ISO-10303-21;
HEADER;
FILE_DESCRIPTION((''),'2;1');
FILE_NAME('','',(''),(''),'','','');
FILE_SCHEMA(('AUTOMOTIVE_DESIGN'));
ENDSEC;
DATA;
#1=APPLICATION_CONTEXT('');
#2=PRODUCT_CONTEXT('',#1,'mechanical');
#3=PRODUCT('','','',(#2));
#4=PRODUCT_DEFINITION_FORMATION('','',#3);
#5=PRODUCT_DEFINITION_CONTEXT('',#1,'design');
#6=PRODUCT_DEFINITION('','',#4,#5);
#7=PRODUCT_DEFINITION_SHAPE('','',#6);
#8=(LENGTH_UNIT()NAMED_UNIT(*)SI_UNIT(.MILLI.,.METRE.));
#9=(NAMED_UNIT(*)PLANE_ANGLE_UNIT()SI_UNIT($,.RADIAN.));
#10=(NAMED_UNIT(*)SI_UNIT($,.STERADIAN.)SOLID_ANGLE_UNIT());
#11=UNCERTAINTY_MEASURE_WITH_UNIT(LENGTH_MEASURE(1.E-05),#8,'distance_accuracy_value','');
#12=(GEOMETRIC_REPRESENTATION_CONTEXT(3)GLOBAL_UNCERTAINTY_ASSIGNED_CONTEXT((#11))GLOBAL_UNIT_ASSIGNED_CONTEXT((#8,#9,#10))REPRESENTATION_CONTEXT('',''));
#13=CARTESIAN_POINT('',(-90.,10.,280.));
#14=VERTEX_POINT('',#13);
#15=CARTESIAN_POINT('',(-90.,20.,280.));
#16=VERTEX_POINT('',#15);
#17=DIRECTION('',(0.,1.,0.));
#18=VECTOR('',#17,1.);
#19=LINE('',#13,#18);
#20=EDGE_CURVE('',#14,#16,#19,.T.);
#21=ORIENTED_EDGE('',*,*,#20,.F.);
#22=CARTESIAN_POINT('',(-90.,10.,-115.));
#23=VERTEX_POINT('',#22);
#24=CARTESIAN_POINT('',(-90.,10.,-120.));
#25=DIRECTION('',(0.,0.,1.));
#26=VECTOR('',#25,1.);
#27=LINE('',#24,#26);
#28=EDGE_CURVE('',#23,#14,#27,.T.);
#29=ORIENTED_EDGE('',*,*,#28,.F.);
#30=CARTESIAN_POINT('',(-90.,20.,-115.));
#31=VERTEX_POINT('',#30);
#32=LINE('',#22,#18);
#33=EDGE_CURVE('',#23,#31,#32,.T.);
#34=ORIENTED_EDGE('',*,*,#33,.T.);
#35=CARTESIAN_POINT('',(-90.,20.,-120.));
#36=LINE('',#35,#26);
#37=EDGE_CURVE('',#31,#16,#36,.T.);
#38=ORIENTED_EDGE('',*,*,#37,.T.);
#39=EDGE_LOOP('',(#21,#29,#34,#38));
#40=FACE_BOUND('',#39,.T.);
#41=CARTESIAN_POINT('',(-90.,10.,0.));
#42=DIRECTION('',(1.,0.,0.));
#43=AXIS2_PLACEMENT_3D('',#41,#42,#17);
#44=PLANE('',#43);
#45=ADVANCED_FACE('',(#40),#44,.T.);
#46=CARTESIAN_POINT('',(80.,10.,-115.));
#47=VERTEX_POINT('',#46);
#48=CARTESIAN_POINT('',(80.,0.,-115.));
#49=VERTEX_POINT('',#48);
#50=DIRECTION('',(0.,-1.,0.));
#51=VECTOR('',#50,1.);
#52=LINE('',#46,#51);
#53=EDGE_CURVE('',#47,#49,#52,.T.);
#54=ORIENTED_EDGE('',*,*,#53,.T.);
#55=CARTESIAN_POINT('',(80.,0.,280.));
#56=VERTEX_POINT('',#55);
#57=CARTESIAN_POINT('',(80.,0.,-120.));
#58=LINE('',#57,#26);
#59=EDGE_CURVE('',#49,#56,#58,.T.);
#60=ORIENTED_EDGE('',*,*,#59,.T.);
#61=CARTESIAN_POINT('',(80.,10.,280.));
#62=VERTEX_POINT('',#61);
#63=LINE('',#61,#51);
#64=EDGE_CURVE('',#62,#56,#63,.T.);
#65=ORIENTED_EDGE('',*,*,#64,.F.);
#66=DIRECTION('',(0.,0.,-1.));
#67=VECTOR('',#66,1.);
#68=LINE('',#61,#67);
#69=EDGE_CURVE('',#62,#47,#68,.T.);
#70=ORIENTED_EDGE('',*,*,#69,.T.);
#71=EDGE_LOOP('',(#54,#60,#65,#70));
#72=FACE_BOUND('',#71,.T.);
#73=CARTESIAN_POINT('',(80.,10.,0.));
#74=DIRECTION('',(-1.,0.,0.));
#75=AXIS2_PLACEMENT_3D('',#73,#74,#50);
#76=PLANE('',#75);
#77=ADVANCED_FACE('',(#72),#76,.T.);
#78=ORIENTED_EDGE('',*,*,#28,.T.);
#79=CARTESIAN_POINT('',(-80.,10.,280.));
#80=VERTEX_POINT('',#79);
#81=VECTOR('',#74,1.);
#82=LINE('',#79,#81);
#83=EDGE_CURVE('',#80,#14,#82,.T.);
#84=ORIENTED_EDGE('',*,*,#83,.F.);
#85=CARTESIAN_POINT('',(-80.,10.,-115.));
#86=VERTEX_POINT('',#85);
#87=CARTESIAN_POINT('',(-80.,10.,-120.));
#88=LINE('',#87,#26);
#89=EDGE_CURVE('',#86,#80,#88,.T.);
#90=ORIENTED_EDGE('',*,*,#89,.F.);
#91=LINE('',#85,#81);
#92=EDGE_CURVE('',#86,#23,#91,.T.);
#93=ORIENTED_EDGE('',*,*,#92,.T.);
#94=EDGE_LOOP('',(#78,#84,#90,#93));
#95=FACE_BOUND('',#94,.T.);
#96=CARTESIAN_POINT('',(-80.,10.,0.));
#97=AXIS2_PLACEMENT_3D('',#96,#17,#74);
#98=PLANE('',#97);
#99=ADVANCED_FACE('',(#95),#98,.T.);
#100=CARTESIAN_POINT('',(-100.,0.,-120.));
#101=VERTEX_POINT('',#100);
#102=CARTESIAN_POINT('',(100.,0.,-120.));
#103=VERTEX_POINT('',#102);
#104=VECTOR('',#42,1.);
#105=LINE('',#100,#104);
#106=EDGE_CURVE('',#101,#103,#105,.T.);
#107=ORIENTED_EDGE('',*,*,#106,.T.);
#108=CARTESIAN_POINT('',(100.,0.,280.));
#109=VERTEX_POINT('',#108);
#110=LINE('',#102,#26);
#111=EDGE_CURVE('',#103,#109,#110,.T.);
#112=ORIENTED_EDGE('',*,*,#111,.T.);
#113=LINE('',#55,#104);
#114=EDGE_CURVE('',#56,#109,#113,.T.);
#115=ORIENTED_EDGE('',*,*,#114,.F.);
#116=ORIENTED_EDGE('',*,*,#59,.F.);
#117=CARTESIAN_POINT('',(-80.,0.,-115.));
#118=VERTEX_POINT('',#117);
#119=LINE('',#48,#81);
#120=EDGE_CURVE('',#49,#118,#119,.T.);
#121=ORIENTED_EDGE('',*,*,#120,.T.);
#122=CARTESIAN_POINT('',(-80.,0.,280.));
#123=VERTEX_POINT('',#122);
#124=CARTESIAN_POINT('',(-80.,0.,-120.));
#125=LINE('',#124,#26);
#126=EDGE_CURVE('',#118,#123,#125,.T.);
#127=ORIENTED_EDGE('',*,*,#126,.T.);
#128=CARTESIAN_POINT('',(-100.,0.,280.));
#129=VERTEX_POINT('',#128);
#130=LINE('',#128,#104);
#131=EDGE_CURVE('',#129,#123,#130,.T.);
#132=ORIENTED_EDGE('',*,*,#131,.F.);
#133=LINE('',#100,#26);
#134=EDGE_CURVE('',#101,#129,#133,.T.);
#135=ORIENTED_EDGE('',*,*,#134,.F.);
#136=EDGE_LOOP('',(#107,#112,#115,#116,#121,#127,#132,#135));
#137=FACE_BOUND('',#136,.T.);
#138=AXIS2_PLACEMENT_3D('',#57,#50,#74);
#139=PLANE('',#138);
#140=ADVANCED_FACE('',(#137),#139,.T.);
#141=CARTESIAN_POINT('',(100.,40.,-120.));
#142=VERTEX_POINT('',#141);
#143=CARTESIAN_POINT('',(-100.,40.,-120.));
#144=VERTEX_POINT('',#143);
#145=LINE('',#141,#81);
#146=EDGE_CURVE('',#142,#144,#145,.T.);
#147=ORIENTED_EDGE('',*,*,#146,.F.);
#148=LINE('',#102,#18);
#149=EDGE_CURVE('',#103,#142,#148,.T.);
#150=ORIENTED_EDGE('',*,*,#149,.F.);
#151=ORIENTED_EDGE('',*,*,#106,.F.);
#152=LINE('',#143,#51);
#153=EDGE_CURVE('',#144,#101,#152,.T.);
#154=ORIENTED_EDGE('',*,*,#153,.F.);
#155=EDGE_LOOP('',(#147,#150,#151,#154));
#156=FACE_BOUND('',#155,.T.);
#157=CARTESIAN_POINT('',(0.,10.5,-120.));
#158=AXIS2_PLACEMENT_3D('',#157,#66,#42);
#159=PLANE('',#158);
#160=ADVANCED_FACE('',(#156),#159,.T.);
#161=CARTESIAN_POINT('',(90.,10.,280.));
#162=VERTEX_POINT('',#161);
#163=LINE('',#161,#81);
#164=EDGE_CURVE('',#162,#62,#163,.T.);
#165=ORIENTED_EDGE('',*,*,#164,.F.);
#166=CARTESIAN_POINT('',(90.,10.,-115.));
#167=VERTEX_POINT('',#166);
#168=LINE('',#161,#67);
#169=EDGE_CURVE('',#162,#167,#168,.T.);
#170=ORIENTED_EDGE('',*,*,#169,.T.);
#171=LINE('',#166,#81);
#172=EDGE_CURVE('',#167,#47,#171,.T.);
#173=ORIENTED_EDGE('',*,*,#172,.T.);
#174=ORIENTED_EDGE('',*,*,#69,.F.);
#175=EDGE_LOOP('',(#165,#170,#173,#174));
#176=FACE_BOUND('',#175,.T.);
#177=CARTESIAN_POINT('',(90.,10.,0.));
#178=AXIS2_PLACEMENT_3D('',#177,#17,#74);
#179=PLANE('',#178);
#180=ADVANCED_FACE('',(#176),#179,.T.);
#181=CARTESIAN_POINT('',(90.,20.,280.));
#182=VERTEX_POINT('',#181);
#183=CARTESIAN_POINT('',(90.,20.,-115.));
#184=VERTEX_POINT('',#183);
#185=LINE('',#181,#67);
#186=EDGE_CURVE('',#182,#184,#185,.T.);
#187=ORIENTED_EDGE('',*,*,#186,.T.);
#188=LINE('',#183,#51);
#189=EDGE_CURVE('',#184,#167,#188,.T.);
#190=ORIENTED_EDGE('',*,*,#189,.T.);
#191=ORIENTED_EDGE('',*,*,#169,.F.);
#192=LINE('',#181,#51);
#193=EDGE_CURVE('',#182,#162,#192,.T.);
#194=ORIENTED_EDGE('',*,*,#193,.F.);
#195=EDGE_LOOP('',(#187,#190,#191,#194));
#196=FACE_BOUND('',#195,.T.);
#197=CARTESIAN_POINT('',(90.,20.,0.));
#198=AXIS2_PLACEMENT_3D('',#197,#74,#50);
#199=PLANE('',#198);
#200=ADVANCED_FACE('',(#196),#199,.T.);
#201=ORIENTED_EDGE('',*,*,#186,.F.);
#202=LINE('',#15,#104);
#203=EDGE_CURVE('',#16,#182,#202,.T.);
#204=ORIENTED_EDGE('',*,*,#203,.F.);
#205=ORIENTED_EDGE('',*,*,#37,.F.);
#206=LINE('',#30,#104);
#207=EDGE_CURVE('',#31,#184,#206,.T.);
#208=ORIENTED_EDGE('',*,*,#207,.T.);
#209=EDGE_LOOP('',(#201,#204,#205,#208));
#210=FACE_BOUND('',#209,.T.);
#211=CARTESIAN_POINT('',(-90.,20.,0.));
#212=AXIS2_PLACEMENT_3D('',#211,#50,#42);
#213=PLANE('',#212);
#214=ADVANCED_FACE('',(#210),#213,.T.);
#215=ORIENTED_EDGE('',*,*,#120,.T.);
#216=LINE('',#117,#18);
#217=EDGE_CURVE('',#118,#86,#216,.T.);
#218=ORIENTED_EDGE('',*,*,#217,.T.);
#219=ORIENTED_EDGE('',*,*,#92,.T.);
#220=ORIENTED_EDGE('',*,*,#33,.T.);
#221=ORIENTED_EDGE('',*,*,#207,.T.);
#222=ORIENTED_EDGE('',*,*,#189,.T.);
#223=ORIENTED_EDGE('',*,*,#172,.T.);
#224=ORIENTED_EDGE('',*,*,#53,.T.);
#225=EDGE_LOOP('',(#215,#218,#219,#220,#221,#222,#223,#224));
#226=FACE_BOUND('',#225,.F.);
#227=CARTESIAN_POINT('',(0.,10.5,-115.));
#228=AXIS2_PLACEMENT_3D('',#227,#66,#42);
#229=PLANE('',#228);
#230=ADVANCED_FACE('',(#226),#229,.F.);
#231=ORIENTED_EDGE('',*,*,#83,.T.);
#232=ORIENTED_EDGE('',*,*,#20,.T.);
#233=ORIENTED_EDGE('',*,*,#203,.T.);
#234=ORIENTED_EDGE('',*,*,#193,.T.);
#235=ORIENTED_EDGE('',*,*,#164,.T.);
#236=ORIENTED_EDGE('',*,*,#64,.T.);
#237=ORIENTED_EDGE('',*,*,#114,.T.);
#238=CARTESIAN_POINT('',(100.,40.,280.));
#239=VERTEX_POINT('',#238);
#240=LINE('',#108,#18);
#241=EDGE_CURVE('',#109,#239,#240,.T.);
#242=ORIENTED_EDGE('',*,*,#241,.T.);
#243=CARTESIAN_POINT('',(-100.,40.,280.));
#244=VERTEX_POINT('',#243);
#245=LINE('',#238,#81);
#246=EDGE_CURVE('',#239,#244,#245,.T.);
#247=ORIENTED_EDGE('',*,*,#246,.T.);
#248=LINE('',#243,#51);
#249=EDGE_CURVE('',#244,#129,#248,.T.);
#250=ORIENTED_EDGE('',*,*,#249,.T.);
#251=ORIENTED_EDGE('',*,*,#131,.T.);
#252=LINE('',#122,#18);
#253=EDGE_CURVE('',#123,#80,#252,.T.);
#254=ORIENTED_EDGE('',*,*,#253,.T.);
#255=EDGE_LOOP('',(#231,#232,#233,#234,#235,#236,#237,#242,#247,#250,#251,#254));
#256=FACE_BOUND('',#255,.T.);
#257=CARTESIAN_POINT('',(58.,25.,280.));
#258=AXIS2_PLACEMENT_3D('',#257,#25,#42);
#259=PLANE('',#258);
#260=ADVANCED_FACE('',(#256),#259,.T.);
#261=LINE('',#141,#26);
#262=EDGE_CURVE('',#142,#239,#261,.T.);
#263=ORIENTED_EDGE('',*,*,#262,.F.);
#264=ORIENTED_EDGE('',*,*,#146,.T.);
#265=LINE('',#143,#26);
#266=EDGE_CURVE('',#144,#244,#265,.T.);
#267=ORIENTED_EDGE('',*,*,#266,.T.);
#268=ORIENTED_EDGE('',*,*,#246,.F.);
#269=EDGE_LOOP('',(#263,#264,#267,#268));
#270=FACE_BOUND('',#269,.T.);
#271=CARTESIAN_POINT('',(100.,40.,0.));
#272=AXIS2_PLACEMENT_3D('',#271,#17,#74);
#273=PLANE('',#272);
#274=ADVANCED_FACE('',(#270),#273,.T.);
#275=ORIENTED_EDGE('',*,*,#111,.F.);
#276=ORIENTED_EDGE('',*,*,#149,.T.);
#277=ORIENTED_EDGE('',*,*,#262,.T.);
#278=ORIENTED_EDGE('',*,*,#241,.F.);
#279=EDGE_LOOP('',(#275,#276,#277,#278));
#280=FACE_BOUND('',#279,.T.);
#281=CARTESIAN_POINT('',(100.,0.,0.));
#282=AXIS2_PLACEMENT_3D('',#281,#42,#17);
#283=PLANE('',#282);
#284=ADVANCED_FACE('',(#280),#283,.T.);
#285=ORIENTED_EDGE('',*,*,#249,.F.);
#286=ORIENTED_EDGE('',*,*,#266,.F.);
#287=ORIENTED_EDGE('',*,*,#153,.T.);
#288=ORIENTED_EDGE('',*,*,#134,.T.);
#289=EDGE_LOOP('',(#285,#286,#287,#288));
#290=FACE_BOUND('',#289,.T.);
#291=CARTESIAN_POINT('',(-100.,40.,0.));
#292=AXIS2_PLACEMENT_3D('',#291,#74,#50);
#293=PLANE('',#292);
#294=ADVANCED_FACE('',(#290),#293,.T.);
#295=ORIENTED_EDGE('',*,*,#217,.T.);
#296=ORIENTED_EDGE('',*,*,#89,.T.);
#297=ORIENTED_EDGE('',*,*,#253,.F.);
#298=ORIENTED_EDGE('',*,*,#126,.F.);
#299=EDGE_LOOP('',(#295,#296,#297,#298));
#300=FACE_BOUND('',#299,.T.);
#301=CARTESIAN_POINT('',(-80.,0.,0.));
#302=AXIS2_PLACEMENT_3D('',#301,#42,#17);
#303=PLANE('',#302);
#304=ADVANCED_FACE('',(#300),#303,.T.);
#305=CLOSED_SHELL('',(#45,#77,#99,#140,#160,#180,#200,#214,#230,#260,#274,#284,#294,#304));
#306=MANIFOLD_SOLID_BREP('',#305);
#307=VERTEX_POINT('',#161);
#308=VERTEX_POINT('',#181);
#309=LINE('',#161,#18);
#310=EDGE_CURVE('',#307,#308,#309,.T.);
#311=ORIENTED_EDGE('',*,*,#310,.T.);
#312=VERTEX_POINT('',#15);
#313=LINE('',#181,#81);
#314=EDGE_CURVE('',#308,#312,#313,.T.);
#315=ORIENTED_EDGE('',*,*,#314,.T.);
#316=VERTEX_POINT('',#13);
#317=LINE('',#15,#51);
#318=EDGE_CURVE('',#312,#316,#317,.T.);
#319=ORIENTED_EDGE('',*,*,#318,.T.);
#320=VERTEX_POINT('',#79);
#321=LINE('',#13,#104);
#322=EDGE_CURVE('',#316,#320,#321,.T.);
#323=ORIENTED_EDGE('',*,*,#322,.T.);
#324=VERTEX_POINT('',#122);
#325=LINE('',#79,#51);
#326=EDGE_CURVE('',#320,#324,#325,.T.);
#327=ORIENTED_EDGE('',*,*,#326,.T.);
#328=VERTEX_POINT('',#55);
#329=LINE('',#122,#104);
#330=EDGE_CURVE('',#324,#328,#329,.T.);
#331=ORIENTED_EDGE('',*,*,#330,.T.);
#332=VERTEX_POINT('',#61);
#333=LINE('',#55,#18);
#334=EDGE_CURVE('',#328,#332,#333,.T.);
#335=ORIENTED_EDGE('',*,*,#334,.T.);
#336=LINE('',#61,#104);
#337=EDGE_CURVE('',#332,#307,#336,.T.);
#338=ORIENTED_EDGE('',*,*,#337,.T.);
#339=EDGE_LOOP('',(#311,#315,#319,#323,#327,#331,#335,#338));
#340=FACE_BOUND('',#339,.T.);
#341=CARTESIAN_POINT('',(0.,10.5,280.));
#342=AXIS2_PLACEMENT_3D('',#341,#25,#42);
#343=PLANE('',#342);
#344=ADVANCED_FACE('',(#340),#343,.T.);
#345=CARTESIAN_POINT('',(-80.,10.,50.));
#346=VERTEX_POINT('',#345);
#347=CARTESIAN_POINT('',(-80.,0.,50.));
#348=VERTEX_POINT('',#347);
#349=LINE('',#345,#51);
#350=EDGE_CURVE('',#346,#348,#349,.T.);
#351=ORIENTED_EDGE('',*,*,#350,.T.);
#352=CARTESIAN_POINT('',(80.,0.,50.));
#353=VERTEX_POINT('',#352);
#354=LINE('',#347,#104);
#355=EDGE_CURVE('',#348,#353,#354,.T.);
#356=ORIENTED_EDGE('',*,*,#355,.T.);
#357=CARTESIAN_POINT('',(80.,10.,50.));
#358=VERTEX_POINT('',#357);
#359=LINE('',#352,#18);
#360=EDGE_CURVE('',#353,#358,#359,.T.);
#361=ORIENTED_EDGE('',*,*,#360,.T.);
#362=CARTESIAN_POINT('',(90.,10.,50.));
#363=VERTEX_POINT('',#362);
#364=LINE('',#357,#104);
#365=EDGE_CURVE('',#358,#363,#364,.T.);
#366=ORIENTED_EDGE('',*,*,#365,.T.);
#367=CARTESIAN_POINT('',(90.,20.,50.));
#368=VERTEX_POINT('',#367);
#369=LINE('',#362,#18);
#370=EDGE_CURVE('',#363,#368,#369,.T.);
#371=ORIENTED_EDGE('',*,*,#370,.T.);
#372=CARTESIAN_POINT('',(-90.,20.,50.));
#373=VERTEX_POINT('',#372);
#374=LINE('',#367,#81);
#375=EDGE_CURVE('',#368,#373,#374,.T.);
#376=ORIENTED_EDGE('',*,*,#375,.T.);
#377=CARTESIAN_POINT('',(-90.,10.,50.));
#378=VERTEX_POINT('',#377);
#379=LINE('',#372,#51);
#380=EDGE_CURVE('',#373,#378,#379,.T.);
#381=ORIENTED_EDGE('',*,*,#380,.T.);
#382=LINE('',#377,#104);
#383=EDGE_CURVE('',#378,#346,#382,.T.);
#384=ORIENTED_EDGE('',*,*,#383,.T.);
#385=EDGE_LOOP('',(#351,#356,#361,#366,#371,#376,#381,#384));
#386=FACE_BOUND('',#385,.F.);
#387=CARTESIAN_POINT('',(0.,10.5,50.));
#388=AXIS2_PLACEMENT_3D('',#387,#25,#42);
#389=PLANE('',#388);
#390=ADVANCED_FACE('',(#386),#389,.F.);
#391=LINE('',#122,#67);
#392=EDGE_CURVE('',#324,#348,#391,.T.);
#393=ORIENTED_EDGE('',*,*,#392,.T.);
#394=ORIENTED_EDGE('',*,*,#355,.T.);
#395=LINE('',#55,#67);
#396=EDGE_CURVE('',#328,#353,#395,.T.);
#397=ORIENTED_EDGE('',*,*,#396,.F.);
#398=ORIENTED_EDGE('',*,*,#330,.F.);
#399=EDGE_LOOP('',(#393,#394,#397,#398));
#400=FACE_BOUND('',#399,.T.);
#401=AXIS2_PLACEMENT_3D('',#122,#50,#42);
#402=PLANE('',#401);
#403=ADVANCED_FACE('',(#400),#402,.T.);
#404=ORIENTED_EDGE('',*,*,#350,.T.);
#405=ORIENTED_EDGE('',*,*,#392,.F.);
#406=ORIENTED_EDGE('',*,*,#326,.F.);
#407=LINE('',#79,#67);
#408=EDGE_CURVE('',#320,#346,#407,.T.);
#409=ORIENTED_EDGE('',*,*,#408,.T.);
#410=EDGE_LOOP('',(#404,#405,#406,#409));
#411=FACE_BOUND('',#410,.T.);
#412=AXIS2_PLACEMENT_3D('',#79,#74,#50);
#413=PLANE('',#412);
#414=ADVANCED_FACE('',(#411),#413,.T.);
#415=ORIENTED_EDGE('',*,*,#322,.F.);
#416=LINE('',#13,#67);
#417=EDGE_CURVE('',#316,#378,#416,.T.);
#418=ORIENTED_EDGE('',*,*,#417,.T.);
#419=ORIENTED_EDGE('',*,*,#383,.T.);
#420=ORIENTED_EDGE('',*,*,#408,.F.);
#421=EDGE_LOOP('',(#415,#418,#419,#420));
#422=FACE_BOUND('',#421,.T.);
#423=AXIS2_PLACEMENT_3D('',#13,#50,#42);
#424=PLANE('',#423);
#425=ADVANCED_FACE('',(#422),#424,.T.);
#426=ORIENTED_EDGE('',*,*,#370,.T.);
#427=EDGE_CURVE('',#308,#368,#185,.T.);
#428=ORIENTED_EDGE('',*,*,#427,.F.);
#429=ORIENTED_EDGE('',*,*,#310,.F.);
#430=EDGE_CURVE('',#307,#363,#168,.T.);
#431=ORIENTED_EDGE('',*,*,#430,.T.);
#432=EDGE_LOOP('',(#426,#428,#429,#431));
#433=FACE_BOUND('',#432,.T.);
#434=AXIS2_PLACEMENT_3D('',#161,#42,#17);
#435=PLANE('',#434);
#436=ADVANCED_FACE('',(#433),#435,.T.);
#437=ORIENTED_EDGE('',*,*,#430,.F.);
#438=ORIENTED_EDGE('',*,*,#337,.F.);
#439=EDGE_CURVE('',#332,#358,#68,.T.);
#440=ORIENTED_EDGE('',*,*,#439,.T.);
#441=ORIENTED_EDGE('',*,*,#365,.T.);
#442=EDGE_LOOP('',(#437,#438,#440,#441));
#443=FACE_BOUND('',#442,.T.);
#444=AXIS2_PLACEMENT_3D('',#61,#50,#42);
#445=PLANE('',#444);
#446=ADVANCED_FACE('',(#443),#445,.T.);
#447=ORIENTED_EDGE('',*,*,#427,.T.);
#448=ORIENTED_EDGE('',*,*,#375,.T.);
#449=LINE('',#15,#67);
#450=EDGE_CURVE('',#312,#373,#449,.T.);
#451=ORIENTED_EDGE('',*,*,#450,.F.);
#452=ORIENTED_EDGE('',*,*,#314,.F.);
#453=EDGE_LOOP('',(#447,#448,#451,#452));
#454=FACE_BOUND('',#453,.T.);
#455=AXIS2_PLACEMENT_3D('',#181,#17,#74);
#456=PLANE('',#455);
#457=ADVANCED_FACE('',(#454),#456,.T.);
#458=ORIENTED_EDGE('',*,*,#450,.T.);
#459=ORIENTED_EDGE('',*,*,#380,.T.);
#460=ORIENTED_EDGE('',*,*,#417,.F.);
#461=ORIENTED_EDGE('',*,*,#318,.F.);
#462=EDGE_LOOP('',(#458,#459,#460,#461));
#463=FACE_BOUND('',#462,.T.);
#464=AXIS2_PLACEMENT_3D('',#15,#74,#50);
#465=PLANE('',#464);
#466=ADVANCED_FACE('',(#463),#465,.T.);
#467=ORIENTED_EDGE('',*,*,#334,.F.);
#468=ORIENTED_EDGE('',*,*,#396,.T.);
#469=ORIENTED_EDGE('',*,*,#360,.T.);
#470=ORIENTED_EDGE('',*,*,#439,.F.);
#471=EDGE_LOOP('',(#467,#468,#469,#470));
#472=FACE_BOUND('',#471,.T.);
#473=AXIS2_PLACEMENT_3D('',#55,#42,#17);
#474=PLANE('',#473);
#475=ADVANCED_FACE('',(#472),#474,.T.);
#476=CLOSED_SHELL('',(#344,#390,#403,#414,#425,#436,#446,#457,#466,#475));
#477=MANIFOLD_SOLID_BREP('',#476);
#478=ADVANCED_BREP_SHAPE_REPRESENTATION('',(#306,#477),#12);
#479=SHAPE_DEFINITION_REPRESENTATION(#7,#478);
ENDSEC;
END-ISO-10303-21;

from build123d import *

# Parameters (mm, degrees)
F1_DEPTH      = 280
F1_DEPTH_BACK = 120
F3_DEPTH      = 230
F5_DEPTH      = 5


with BuildPart() as f1:
    # F0 (on Top) → F1 (new body, two sides)
    with BuildSketch(Plane.XY) as f1_sk:
        Polygon((80, 10), (80, 0), (100, 0), (100, 40), (0, 40), (0, 20), (90, 20), (90, 10), align=None)
        Polygon((0, 20), (0, 40), (-100, 40), (-100, 0), (-80, 0), (-80, 10), (-90, 10), (-90, 20), align=None)
    extrude(amount=F1_DEPTH)
    extrude(f1_sk.sketch, amount=-F1_DEPTH_BACK)

    # F4 (on face) → F5 (join)
    with BuildSketch(Plane(origin=(0, 0, -120), x_dir=(1, 0, 0), z_dir=(0, 0, -1))):
        Polygon((80, 0), (-80, 0), (-80, -10), (-90, -10), (-90, -20), (90, -20), (90, -10), (80, -10), align=None)
    extrude(amount=-F5_DEPTH)


with BuildPart() as f3:
    # F2 (on face) → F3 (new body)
    with BuildSketch(Plane.XY.offset(280)):
        Polygon((-80, 10), (-80, 0), (80, 0), (80, 10), (90, 10), (90, 20), (-90, 20), (-90, 10), align=None)
    extrude(amount=-F3_DEPTH)


solid = Compound([f1.part, f3.part])
